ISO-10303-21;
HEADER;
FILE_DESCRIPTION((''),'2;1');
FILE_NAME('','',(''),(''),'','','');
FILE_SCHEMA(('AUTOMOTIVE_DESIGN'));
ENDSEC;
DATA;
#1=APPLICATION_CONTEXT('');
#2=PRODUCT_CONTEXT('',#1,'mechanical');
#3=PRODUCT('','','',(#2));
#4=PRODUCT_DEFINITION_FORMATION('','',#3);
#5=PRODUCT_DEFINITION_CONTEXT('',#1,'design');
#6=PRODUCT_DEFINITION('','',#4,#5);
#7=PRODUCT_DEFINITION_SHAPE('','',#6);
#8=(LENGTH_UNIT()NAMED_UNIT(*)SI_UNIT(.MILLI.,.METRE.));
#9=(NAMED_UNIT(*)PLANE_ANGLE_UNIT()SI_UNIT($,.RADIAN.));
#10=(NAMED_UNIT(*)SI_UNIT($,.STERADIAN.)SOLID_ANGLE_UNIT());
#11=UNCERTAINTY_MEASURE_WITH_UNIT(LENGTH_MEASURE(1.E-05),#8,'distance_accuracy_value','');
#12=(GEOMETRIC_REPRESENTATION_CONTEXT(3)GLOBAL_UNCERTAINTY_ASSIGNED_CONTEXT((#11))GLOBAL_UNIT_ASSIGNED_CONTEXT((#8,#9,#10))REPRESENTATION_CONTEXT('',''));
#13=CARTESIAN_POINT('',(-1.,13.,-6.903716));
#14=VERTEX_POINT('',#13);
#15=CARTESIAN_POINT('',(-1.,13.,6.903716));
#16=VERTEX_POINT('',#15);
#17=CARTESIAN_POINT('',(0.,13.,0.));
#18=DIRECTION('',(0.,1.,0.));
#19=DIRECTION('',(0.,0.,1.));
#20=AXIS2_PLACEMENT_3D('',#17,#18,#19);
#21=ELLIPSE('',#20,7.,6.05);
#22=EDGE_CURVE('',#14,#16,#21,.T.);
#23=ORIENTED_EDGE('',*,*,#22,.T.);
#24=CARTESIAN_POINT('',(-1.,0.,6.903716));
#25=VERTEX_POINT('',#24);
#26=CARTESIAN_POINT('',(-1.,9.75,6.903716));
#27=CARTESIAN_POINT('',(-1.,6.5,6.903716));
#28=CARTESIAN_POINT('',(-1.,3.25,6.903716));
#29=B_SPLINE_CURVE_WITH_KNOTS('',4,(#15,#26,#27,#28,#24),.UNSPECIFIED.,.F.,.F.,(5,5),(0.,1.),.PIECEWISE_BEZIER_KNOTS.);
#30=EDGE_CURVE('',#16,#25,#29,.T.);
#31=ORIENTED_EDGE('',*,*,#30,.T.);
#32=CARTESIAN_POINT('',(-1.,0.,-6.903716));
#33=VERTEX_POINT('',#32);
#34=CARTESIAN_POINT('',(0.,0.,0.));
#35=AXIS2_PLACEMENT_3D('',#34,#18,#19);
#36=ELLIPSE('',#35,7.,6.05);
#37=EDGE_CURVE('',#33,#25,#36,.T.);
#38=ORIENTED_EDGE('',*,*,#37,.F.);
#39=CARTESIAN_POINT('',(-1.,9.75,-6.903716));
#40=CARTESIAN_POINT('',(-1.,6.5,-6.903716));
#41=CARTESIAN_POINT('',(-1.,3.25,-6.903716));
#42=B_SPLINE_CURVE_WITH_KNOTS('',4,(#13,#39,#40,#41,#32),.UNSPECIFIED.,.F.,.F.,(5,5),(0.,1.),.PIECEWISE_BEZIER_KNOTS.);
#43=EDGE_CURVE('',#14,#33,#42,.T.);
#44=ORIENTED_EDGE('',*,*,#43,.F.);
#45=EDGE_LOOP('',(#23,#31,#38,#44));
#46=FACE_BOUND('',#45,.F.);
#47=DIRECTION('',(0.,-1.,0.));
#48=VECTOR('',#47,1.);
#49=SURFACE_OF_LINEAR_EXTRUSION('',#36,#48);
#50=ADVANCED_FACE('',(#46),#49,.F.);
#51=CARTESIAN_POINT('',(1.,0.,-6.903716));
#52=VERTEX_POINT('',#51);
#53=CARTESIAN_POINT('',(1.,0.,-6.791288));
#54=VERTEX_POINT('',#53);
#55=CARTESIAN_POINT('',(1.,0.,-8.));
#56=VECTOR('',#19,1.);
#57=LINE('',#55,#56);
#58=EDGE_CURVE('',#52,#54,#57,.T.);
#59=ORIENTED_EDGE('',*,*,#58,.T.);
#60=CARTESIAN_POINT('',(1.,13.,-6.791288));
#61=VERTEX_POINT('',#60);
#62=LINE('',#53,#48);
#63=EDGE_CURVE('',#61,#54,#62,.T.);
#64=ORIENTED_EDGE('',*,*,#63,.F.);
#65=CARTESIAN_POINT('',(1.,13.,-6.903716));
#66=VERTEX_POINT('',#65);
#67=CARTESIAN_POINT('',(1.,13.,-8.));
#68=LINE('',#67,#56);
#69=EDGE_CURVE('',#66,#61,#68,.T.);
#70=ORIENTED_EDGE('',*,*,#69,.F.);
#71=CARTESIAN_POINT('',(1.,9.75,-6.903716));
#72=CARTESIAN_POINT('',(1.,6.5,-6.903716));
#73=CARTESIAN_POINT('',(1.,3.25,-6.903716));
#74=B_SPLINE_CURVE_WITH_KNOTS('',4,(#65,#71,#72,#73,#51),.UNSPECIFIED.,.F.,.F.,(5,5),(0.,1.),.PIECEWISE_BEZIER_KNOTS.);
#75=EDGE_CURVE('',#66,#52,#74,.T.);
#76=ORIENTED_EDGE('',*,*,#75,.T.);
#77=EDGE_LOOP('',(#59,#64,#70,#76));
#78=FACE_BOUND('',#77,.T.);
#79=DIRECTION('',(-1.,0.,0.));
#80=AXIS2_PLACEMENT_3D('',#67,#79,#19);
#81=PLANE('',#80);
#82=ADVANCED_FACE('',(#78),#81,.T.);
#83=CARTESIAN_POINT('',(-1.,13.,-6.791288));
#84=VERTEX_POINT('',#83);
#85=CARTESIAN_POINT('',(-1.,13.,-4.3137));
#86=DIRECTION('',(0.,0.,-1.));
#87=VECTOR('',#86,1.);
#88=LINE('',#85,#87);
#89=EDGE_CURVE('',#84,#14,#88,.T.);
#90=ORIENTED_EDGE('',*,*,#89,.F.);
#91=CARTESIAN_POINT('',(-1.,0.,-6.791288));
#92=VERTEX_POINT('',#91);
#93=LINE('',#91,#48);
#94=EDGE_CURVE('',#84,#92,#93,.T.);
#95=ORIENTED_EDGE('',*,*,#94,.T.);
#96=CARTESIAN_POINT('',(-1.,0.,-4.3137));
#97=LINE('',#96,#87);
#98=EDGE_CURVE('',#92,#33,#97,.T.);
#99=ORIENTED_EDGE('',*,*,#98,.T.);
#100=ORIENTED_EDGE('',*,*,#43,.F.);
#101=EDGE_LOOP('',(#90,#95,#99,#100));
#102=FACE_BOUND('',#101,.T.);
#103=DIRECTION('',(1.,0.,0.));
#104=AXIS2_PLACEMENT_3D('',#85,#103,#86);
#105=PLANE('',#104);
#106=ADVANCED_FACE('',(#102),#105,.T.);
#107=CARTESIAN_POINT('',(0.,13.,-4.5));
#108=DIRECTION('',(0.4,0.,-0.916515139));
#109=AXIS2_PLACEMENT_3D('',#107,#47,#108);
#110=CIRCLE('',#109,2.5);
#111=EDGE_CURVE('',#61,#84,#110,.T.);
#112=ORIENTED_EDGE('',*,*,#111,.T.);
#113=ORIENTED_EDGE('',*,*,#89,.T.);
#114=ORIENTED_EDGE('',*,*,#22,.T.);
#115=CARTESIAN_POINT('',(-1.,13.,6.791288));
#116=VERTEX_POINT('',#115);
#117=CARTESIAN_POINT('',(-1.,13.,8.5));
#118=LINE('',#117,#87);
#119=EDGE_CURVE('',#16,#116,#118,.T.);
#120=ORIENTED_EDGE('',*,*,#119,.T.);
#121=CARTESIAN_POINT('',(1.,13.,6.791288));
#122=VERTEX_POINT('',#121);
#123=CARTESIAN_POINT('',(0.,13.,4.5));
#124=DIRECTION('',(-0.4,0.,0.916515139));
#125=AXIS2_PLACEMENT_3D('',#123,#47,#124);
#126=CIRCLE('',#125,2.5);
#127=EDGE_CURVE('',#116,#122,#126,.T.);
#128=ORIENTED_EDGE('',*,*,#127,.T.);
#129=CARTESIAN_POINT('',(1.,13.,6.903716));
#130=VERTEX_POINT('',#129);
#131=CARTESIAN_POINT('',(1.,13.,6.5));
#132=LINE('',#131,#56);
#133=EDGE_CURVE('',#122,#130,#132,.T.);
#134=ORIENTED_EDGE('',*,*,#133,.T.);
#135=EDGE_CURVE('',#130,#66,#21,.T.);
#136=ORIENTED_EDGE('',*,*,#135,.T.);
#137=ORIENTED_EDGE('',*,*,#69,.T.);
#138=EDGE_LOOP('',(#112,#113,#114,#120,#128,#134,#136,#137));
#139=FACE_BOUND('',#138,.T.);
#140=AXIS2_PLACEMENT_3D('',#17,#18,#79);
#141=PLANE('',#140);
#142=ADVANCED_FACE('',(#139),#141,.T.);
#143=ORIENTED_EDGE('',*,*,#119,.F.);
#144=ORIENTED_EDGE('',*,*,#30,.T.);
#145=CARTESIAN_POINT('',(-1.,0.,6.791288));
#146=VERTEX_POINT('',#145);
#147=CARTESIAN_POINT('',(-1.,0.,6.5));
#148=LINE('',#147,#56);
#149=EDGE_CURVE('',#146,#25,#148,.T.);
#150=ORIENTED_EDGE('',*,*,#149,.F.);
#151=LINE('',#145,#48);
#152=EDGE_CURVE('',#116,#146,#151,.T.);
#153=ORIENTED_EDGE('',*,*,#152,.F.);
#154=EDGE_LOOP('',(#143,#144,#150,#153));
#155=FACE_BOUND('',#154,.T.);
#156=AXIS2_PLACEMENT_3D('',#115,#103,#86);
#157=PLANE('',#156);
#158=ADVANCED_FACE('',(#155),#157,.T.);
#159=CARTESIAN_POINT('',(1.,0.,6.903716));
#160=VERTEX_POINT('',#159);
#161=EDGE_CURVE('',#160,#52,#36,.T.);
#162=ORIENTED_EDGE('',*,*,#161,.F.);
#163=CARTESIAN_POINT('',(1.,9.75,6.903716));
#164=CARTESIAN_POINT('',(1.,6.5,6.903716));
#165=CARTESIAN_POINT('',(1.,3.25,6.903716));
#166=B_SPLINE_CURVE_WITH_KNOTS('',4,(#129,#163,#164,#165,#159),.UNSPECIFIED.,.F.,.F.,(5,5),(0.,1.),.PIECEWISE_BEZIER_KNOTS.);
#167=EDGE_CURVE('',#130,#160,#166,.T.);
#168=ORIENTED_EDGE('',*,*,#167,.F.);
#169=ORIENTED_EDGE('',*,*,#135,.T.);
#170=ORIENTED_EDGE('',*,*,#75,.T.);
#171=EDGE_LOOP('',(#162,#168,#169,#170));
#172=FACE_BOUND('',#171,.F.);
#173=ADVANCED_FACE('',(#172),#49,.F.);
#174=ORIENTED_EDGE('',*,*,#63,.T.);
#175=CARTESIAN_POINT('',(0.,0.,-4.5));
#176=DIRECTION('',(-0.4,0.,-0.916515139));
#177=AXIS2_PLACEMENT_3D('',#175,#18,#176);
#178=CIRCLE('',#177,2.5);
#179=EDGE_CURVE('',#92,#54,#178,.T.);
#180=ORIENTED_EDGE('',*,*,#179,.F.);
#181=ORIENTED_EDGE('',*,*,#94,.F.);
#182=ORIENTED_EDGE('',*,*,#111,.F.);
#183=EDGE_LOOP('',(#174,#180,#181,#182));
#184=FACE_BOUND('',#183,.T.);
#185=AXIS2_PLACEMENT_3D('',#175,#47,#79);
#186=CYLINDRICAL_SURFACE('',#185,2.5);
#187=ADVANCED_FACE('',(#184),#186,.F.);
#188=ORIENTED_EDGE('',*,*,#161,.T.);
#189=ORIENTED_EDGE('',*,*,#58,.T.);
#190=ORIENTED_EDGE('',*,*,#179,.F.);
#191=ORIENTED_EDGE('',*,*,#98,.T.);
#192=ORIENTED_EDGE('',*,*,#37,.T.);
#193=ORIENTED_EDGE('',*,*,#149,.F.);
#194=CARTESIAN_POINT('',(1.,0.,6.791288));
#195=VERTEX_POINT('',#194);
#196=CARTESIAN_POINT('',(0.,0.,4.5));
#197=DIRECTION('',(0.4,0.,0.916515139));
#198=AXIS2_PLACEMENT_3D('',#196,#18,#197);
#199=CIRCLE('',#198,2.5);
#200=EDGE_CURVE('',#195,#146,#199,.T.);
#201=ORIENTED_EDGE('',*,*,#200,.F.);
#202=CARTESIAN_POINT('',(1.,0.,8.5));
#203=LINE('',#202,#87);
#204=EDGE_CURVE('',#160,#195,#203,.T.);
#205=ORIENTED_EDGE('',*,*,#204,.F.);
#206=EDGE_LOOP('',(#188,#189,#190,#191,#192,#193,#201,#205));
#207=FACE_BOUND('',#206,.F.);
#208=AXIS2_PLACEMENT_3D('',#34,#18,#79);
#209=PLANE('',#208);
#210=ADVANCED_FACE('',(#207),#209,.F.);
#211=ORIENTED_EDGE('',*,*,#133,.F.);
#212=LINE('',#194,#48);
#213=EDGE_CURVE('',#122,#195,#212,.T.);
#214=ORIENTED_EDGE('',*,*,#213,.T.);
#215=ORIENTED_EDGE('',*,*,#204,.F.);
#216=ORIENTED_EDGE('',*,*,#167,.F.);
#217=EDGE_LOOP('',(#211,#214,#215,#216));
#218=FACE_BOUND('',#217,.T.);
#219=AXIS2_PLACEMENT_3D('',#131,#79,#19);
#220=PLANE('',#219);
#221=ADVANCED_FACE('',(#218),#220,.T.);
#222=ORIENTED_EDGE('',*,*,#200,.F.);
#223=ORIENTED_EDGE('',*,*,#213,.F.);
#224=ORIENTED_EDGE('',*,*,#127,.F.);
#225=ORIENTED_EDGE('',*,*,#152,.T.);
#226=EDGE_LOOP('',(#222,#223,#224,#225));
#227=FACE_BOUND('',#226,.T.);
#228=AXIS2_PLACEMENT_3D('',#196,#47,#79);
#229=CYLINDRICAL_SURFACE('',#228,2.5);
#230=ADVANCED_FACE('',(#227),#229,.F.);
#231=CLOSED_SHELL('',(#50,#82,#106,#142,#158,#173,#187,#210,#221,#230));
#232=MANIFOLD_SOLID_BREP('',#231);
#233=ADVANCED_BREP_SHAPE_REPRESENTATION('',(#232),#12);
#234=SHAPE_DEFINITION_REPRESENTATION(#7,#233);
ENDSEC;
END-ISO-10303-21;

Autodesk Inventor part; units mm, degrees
ref_plane "YZ Plane" through (0, 0, 0) normal (1, 0, 0) x (0, 1, 0)
ref_plane "XZ Plane" through (0, 0, 0) normal (0, 1, 0) x (-1, 0, 0)
ref_plane "XY Plane" through (0, 0, 0) normal (0, 0, 1) x (1, 0, 0)
sketch "Boceto1" plane through (0, 0, 0) normal (0, 1, 0) x (-1, 0, 0)
  ellipse E0 centre (0, 0) end of major axis (0, 7) minor radius 6.05
  circle A0 centre (0, -4.5) radius 2.5
  circle A1 centre (0, 4.5) radius 2.5
  point P0 (0, 7)
  point P1 (0, -7)
  dimension "d0" = 7
  dimension "d1" = 6.05
  dimension "d6" = 5
  dimension "d7" = 5
extrude "Extrusión1" add sketch "Boceto1" along normal blind 13
sketch "Boceto2" plane through (0, 13, 4.5) normal (0, 1, 0) x (1, 0, 0)
  line L0 (-1, -2) -> (1, -2)
  line L1 (1, -2) -> (1, -4)
  line L2 (1, -4) -> (-1, -4)
  line L3 (-1, -4) -> (-1, -2)
  circle A0 centre (0, 0) radius 2.5 projected
  point P0 (0, 4.5)
  point P1 (0, -2.5)
  dimension "d8" = 2
  dimension "d9" = 1
  dimension "d11" = 2
  dimension "d12" = 2
extrude "Extrusión2" cut sketch "Boceto2" against normal blind 13 contours L0 L1 A0 L3 | A0 L1 L2 L3 picked at (0, -2.1667)
sketch "Boceto4" plane through (0, 13, 0) normal (0, 1, 0) x (1, 0, 0)
  line L0 (-1, 8) -> (1, 8)
  line L1 (1, 8) -> (1, 4.3137)
  line L2 (1, 4.3137) -> (-1, 4.3137)
  line L3 (-1, 4.3137) -> (-1, 8)
  point P0 (0, 0)
  dimension "d15" = 2
  dimension "d16" = 4.3137
  dimension "d17" = 8
  dimension "d18" = 1
extrude "Extrusión3" cut sketch "Boceto4" against normal blind 13
equation "\"d7\" = d6"
equation "\"d9\" = 0.5 * d12"
equation "\"d18\" = 0.5 * d15"
properties part number "Relleno_chumacera" material "Plástico PC/ABS"
